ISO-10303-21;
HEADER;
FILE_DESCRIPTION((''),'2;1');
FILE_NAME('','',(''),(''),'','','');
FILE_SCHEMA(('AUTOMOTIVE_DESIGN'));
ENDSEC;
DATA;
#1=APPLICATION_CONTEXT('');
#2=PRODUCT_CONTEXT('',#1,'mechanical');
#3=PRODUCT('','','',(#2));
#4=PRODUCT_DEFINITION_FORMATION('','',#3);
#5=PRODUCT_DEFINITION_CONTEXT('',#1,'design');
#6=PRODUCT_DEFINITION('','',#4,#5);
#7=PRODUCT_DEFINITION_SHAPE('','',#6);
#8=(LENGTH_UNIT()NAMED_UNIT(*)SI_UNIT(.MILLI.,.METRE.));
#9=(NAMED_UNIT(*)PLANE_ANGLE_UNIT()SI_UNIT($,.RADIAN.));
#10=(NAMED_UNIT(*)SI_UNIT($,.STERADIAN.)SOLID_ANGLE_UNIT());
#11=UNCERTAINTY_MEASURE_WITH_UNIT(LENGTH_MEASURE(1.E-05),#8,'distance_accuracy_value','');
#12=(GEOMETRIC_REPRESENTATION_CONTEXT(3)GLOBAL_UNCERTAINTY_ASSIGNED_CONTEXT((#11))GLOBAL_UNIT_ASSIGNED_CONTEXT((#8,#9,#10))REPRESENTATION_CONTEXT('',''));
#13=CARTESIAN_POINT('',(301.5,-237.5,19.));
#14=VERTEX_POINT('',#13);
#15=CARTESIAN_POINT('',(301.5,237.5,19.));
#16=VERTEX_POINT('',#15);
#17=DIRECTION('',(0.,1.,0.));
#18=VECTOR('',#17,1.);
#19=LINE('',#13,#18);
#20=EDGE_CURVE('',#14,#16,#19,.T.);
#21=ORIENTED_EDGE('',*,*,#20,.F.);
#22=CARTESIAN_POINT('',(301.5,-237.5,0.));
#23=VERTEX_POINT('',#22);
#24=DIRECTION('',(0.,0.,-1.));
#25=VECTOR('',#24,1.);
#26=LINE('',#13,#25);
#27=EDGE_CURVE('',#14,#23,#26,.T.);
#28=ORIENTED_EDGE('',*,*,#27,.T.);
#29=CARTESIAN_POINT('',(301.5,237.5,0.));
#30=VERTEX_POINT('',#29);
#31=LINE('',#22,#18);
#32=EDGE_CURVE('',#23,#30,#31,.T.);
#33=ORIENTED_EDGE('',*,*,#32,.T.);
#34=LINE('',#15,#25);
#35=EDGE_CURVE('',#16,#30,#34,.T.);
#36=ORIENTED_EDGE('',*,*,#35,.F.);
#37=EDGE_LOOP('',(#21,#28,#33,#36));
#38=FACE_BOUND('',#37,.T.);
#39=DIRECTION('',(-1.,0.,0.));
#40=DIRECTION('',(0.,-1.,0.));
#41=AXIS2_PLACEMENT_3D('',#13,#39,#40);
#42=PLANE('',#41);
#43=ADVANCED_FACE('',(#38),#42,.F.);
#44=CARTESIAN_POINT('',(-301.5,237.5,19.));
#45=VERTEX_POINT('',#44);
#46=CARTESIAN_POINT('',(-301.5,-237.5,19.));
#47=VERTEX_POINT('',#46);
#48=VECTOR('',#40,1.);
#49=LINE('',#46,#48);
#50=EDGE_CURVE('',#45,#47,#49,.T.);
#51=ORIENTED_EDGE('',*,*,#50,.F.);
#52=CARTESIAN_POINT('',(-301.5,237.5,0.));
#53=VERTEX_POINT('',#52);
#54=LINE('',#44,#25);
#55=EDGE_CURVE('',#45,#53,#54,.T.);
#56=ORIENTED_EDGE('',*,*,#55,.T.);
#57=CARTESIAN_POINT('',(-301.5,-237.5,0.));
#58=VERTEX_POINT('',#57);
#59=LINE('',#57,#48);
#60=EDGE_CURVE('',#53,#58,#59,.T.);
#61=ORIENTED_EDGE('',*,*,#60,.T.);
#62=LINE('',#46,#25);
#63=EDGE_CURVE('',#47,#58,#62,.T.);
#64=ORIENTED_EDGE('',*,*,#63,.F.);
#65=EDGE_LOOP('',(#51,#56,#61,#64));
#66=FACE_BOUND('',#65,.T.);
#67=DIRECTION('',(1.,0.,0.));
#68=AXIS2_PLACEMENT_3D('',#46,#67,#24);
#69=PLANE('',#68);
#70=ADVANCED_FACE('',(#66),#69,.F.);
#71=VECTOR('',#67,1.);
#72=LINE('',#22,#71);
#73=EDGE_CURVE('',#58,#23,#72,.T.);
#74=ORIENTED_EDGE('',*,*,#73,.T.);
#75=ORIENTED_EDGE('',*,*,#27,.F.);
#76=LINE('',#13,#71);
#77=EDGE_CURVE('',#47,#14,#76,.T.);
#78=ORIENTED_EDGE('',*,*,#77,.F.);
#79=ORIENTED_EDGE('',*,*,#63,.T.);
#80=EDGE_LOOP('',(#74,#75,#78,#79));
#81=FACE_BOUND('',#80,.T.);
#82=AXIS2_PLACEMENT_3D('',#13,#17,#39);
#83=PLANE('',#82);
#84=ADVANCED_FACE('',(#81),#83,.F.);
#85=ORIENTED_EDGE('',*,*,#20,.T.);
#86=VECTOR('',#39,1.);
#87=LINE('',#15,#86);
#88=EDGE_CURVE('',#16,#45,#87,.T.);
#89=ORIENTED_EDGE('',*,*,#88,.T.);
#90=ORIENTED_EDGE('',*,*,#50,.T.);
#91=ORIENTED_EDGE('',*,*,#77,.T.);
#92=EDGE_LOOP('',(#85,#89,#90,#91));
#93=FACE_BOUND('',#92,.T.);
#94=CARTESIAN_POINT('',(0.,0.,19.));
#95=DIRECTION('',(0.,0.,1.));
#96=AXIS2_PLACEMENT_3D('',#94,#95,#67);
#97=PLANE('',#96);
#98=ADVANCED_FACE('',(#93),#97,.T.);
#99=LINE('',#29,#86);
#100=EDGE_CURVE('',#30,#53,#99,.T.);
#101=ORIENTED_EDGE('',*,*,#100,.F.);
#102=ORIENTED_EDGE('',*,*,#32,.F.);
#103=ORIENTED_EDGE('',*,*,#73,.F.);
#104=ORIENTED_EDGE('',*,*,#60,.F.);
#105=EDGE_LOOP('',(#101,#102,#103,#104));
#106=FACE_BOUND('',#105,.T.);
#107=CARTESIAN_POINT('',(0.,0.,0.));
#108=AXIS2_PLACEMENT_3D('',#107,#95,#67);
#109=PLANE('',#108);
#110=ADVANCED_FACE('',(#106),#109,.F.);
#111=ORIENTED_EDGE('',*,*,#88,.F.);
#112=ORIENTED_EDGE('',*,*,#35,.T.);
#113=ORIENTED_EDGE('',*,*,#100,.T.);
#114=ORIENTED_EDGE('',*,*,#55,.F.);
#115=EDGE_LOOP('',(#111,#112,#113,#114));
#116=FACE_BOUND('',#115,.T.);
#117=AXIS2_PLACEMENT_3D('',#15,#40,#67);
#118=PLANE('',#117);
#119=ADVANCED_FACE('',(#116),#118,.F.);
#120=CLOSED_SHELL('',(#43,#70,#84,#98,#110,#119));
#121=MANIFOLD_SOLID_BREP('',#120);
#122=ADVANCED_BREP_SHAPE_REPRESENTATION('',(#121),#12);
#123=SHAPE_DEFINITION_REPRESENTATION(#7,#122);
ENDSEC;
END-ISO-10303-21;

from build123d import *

# Parameters (mm, degrees)
SKIZZE1_W                       = 603
SKIZZE1_H                       = 475
AUFSATZ_LINEAR_AUSTRAGEN1_DEPTH = 19


with BuildPart() as part:
    # Skizze1 → Aufsatz-Linear austragen1 (new body)
    with BuildSketch(Plane.XY):
        Rectangle(SKIZZE1_W, SKIZZE1_H)
    extrude(amount=AUFSATZ_LINEAR_AUSTRAGEN1_DEPTH)


solid = part.part
